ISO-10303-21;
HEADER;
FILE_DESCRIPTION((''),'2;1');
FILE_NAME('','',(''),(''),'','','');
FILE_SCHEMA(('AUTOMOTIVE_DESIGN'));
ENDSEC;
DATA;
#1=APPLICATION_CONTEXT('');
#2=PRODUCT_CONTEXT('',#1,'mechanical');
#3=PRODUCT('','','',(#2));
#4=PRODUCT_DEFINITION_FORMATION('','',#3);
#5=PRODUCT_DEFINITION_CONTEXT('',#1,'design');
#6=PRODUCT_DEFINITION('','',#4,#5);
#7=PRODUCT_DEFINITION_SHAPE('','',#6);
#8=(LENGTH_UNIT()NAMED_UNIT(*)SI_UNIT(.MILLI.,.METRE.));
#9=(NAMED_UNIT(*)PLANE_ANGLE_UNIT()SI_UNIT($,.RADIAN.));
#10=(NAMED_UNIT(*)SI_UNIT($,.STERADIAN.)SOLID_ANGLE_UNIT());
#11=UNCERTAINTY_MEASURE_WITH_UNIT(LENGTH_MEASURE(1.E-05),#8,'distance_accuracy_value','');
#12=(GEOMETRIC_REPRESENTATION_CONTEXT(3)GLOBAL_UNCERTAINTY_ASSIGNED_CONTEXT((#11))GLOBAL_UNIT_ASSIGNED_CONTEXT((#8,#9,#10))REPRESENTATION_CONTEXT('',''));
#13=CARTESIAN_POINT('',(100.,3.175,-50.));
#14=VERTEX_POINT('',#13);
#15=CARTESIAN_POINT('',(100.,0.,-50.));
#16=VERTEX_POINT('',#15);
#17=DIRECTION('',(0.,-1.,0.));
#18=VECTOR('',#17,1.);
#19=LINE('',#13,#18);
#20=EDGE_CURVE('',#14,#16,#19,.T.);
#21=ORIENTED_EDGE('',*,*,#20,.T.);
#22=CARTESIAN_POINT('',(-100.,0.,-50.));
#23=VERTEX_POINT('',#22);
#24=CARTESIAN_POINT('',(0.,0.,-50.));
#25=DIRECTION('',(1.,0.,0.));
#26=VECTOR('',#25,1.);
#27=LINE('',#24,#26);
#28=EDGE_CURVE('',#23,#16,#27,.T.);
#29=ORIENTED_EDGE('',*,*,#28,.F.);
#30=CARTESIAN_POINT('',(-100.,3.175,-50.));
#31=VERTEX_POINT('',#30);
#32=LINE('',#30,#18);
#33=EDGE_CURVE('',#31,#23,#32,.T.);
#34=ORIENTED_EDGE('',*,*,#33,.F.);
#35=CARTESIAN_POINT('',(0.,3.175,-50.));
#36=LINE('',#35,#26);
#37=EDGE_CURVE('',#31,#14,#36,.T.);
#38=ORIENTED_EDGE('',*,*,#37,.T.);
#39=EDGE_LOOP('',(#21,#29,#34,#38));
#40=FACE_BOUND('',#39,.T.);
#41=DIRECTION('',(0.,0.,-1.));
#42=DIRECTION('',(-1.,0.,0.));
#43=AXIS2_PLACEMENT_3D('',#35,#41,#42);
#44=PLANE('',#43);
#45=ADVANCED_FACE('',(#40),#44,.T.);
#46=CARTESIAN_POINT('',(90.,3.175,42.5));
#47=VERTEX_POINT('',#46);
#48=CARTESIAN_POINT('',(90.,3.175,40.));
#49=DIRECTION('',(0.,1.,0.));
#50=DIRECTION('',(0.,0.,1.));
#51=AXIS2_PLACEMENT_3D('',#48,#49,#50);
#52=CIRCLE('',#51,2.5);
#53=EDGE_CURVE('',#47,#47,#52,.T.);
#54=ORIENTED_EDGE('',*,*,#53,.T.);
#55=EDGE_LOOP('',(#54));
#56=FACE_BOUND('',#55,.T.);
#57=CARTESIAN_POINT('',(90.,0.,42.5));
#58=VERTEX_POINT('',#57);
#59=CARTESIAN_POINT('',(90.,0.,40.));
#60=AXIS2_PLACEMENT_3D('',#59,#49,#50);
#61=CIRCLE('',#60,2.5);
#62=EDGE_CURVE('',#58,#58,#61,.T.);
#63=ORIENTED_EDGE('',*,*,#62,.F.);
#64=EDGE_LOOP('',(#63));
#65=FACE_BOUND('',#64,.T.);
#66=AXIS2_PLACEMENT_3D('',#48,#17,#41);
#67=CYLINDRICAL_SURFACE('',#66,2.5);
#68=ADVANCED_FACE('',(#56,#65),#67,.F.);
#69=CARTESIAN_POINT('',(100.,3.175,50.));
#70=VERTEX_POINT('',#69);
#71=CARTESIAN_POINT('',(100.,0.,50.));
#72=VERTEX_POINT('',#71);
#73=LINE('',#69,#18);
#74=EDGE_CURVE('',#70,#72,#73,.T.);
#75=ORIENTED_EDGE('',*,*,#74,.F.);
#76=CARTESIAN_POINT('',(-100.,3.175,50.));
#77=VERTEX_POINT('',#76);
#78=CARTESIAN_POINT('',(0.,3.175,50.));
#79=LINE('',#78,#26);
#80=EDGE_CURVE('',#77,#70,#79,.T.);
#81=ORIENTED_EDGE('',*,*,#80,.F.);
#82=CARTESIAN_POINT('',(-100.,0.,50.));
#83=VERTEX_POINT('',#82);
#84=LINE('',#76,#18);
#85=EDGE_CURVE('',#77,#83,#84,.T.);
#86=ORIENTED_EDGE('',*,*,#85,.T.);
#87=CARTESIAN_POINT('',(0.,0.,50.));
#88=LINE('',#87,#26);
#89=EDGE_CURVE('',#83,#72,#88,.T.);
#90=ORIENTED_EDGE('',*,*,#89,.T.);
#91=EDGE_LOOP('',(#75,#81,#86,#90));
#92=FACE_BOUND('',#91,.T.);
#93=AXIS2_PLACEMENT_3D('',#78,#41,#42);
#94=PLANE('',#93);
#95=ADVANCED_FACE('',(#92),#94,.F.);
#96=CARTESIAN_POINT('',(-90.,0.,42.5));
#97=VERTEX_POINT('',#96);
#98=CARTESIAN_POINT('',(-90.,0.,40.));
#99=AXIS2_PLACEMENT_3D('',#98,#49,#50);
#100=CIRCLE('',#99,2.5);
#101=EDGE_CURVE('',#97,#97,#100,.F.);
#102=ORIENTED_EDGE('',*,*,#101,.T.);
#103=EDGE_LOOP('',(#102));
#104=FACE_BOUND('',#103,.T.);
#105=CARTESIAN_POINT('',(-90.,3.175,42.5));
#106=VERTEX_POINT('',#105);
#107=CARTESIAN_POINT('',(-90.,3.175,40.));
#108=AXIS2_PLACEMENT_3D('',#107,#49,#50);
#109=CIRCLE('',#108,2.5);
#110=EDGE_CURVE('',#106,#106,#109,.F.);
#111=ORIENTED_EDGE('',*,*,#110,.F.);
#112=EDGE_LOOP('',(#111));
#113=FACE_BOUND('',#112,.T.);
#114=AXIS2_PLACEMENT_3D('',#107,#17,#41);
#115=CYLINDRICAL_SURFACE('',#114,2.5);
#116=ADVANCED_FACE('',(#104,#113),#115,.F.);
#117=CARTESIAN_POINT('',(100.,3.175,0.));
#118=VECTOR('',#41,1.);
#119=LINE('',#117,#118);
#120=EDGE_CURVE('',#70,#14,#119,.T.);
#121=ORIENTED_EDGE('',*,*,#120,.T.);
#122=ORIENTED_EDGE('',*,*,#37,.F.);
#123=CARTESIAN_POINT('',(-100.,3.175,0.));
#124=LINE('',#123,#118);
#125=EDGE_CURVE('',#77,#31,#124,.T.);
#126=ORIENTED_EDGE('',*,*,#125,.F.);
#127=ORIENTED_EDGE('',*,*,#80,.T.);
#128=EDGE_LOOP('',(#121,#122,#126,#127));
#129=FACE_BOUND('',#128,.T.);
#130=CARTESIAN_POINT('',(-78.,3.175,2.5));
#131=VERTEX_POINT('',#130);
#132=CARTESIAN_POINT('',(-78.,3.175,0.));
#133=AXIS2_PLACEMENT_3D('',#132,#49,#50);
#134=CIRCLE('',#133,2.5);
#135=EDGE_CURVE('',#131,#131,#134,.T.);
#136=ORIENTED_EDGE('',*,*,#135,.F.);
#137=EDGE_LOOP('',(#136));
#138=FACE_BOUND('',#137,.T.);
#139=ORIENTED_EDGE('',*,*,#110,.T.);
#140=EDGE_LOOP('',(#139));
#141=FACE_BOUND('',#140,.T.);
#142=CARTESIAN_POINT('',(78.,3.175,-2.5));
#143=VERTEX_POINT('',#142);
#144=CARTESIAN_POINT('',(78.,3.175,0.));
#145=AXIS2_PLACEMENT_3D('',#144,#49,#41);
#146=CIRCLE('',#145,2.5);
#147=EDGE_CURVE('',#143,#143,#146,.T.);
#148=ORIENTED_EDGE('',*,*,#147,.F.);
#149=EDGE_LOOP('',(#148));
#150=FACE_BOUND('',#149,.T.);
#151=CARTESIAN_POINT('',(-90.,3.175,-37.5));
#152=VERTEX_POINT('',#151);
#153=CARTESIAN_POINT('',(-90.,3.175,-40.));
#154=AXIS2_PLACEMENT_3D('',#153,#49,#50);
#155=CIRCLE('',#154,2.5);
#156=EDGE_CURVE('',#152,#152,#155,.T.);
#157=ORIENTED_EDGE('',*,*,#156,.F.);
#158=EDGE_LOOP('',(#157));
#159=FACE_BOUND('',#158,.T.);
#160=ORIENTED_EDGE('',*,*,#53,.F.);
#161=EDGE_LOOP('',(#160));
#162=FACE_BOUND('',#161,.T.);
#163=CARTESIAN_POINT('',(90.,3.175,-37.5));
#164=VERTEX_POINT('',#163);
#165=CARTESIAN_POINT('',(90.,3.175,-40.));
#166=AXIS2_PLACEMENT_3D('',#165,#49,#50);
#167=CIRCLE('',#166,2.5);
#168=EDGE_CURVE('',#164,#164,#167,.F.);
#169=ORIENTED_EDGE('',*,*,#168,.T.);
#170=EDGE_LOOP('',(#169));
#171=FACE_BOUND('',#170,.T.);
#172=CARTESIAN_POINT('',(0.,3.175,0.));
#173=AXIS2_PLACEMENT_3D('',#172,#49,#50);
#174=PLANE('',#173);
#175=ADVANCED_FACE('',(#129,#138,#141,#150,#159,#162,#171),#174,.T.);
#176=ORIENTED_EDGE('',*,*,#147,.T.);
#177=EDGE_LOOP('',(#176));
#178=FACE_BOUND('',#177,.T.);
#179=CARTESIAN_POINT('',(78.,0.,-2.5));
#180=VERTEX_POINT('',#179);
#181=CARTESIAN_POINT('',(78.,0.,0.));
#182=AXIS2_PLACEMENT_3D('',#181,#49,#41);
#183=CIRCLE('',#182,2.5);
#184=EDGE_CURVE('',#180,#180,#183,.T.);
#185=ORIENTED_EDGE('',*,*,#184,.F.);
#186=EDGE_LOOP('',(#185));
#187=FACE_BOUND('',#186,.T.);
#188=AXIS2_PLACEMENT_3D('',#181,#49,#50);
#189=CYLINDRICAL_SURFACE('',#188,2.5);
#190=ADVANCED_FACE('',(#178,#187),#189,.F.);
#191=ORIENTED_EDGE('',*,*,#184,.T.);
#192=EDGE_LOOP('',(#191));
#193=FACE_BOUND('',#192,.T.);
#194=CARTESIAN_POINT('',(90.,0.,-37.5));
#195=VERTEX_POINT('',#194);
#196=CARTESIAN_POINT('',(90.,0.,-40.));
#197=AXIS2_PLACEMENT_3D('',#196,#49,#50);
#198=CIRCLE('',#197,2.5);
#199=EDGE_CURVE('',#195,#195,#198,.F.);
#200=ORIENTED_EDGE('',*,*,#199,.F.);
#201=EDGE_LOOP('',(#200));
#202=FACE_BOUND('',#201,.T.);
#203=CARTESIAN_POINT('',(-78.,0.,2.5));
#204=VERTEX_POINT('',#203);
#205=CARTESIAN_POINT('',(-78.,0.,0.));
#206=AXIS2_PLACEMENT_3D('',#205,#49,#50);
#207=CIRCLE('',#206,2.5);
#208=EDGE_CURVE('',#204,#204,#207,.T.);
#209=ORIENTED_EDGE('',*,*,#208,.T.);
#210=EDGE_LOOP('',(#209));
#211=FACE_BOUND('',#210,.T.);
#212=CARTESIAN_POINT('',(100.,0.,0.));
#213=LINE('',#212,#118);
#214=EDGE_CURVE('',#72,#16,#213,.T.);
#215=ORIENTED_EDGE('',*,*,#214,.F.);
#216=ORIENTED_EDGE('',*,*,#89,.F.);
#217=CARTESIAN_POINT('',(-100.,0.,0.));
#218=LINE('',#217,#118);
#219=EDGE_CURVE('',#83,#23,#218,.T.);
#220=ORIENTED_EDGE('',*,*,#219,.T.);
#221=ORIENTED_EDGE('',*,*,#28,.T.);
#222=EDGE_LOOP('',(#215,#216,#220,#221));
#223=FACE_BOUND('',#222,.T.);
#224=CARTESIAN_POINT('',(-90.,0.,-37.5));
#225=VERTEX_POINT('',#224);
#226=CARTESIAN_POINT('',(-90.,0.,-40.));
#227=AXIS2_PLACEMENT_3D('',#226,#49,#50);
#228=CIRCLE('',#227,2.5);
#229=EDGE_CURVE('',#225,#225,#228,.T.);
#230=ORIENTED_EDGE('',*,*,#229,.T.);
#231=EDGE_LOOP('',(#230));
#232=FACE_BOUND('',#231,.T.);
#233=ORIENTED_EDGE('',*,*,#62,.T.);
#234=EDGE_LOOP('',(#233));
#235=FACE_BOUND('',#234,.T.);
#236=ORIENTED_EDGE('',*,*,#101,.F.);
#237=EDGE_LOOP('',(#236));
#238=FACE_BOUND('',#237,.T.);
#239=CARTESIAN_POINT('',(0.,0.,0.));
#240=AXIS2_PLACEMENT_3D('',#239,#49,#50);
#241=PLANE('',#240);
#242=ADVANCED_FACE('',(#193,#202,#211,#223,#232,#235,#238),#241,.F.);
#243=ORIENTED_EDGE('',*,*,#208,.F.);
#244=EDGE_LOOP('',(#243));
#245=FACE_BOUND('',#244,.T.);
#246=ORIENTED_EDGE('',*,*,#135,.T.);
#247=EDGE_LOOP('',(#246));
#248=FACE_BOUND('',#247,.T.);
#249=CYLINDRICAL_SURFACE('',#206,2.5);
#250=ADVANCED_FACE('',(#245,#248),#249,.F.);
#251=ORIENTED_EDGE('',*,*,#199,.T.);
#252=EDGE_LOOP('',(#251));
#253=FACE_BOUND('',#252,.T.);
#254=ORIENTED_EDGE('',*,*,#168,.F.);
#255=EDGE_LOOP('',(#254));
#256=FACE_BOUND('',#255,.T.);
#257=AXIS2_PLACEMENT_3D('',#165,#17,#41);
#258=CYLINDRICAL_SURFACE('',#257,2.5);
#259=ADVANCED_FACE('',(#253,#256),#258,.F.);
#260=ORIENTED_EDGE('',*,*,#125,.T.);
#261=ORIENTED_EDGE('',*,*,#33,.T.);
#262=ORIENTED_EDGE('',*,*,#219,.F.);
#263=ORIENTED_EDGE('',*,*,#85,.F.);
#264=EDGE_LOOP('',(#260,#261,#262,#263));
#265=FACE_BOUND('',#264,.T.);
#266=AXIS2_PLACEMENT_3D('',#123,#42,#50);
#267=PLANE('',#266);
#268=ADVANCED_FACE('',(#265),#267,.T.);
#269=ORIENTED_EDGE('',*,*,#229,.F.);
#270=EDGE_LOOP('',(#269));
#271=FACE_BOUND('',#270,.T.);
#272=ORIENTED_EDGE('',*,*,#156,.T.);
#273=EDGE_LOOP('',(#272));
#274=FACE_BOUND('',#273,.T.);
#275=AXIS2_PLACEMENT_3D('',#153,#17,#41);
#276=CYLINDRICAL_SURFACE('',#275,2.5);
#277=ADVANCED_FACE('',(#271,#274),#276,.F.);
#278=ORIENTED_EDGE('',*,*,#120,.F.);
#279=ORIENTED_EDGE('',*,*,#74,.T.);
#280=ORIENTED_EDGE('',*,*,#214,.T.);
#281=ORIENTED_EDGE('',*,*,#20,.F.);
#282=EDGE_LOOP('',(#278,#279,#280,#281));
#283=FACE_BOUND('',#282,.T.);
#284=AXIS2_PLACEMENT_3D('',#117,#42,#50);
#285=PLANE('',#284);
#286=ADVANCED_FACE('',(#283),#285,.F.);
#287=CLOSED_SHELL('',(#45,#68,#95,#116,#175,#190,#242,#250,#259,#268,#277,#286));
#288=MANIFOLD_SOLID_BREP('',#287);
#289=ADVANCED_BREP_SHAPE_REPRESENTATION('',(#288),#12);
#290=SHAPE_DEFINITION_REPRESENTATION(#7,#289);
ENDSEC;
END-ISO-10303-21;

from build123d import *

# Parameters (mm, degrees)
SKETCH1_W           = 200
SKETCH1_H           = 100
SKETCH1_R           = 2.5
SKETCH1_W_2         = 120.5
SKETCH1_H_2         = 64
BOSS_EXTRUDE1_DEPTH = 3.175
SKETCH2_R           = 2.5
CUT_EXTRUDE1_DEPTH  = 112.848471715


with BuildPart() as part:
    # Sketch1 → Boss-Extrude1 (new body)
    # profile 1 of 2: a face of its own
    with BuildSketch(Plane(origin=(0, 0, 0), x_dir=(1, 0, 0), z_dir=(0, 1, 0))):
        Rectangle(SKETCH1_W, SKETCH1_H)
        with Locations(Location((90, -40, 0), (0, 0, 270))):
            Circle(SKETCH1_R, mode=Mode.SUBTRACT)
        with Locations(Location((-90, -40, 0), (0, 0, 270))):
            Circle(SKETCH1_R, mode=Mode.SUBTRACT)
        with Locations(Location((-90, 40, 0), (0, 0, 270))):
            Circle(SKETCH1_R, mode=Mode.SUBTRACT)
        with Locations(Location((90, 40, 0), (0, 0, 270))):
            Circle(SKETCH1_R, mode=Mode.SUBTRACT)
        Rectangle(SKETCH1_W_2, SKETCH1_H_2, mode=Mode.SUBTRACT)
    # profile 2 of 2: a face of its own
    with BuildSketch(Plane(origin=(0, 0, 0), x_dir=(1, 0, 0), z_dir=(0, 1, 0))):
        Rectangle(SKETCH1_W_2, SKETCH1_H_2)
    extrude(amount=BOSS_EXTRUDE1_DEPTH)

    # Sketch2 → Cut-Extrude1 (cut, through all)
    with BuildSketch(Plane(origin=(0, 3.175, 0), x_dir=(1, 0, 0), z_dir=(0, 1, 0))):
        with Locations(Location((-78, 0, 0), (0, 0, 270))):
            Circle(SKETCH2_R)
        with Locations(Location((78, 0, 0), (0, 0, 90))):
            Circle(SKETCH2_R)
    extrude(amount=-CUT_EXTRUDE1_DEPTH, mode=Mode.SUBTRACT)


solid = part.part
